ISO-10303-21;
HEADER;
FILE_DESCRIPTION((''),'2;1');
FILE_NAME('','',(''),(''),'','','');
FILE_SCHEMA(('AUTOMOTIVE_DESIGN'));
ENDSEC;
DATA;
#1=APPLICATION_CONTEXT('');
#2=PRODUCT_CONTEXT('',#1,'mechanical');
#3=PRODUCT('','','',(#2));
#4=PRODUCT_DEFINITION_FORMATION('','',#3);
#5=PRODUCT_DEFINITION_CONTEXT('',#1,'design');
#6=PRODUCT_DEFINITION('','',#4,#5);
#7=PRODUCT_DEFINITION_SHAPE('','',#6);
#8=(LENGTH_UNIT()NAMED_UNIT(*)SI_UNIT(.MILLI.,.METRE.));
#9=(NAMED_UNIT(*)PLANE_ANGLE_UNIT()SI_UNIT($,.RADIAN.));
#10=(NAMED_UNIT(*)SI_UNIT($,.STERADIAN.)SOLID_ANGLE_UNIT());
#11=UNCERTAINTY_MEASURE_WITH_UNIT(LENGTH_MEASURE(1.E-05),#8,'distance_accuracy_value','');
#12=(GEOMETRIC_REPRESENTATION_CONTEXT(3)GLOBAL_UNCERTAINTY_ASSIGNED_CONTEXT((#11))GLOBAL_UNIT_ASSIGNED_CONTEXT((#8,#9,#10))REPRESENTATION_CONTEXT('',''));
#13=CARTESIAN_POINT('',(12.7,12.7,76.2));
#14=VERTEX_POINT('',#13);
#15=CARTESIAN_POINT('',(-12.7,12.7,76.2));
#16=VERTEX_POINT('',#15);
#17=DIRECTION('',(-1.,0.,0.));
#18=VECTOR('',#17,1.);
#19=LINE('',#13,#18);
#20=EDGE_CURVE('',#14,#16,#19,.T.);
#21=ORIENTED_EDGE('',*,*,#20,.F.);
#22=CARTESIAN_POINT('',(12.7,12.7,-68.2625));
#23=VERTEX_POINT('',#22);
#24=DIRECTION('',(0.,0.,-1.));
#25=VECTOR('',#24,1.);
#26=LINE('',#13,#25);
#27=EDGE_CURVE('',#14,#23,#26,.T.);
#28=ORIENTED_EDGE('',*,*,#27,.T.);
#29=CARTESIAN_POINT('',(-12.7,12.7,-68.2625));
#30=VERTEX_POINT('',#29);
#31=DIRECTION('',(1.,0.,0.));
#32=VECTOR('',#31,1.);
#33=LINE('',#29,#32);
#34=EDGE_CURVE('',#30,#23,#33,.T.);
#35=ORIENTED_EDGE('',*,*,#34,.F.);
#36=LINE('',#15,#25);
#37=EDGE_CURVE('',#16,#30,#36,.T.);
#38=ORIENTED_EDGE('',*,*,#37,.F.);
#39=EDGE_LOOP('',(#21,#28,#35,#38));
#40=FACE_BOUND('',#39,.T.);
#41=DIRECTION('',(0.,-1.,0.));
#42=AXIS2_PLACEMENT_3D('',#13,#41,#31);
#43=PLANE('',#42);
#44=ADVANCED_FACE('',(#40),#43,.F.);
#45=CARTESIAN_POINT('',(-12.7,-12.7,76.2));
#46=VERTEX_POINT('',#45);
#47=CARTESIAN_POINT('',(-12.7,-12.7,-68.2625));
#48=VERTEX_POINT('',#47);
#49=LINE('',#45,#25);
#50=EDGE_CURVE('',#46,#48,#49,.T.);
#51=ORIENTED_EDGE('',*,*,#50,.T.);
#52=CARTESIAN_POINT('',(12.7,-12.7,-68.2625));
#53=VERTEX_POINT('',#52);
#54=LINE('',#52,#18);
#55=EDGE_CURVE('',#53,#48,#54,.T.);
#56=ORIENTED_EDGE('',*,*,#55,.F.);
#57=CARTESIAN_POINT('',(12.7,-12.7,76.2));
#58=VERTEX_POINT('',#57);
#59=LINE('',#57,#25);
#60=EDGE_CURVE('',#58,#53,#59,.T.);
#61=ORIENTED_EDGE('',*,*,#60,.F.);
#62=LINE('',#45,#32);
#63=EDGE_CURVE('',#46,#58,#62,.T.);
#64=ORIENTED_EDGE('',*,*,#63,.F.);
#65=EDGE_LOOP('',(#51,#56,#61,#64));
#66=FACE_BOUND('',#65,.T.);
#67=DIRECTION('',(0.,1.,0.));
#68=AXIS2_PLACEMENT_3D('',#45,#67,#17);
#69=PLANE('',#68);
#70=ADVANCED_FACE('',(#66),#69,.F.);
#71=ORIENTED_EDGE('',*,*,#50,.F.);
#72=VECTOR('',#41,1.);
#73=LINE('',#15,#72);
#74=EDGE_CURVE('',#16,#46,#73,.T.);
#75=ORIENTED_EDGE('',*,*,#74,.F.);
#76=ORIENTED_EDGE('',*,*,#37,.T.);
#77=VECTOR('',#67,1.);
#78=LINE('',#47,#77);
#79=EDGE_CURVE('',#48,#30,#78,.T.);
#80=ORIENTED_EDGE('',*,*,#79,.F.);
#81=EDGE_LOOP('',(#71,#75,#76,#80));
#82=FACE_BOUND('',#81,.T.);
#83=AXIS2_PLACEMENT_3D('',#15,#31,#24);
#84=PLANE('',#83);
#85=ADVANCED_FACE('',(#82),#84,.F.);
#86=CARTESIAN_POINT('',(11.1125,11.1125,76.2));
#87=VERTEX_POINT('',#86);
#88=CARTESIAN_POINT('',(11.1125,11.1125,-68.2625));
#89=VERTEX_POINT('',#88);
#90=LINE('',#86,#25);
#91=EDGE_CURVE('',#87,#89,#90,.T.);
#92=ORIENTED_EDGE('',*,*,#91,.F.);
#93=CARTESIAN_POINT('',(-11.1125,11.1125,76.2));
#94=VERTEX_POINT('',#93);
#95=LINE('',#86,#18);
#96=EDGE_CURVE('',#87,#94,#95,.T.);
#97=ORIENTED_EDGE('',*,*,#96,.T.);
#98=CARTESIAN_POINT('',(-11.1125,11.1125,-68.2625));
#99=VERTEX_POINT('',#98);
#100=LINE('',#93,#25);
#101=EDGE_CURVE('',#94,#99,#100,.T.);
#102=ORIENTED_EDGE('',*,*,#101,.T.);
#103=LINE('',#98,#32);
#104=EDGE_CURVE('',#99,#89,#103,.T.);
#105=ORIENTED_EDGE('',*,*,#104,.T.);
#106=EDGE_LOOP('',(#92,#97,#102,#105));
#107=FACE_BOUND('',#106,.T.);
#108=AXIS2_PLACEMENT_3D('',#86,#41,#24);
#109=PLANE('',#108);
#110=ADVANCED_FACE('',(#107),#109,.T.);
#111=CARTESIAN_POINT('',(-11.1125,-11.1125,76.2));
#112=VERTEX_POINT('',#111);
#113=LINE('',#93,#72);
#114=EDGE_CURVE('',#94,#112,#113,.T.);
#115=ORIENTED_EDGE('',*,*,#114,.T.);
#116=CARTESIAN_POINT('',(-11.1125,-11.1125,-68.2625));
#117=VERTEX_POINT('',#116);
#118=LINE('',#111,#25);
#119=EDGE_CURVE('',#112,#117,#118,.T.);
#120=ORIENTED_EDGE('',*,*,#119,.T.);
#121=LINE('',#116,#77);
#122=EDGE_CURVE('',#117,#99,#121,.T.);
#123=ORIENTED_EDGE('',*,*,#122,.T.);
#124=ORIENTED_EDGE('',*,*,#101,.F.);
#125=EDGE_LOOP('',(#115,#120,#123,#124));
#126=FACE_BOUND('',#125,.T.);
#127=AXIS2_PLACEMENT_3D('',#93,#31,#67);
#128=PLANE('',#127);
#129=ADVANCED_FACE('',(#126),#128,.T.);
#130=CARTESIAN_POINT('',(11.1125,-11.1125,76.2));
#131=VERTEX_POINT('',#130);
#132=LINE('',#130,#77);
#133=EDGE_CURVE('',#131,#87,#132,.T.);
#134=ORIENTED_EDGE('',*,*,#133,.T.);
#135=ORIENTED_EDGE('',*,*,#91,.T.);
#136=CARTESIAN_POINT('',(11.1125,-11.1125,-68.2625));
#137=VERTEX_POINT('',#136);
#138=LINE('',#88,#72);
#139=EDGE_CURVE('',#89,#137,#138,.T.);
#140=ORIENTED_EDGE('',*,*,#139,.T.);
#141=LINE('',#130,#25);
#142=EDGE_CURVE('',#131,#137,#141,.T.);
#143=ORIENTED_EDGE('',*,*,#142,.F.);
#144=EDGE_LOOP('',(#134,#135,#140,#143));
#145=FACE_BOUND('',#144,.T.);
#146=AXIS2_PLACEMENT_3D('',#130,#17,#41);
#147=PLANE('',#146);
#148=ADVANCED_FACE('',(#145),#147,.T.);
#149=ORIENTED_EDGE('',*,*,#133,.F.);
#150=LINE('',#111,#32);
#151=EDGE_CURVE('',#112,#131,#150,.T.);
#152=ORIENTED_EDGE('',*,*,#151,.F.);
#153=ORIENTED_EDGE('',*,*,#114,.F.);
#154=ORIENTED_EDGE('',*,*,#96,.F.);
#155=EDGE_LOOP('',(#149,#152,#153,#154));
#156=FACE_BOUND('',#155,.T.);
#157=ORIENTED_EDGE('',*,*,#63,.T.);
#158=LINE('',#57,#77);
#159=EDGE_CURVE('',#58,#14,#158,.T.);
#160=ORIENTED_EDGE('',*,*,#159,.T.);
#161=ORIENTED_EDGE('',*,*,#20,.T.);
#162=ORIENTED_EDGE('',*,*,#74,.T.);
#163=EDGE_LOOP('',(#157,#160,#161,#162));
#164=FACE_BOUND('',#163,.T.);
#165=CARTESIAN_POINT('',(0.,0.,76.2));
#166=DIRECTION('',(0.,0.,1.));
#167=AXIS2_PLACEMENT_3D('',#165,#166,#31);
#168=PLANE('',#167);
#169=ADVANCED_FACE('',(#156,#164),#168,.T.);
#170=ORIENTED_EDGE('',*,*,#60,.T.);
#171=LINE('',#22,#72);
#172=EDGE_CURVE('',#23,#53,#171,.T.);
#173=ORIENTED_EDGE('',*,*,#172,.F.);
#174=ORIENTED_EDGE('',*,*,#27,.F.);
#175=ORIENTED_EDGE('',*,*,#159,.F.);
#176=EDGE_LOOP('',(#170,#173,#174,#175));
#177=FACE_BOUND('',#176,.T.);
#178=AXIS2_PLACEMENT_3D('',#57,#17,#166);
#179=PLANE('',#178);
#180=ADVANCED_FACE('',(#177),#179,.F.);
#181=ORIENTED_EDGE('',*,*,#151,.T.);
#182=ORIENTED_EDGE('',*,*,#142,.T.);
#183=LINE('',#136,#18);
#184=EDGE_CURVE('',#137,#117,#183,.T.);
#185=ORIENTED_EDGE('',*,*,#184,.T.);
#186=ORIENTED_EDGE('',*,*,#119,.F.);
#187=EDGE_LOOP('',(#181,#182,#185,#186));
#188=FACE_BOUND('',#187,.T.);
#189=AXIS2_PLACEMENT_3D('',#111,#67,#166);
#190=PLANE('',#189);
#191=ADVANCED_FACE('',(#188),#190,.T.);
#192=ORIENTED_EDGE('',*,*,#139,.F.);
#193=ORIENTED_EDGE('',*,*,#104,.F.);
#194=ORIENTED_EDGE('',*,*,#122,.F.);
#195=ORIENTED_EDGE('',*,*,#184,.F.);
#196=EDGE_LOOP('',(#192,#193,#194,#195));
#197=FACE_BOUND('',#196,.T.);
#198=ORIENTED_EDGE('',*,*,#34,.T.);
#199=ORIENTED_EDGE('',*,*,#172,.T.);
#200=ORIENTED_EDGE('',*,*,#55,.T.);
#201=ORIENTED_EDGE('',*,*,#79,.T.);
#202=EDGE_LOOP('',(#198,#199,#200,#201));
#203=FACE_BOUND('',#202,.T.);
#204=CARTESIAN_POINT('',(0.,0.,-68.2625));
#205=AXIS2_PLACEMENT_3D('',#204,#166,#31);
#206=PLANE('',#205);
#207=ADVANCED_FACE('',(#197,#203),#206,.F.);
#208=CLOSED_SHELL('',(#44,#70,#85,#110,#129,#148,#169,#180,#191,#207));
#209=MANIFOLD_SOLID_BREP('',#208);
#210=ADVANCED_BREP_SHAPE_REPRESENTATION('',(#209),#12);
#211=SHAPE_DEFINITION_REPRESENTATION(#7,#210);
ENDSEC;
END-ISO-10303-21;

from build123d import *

# Parameters (mm, degrees)
SKETCH3_W                = 25.4
SKETCH3_H                = 25.4
SKETCH3_W_2              = 22.225
SKETCH3_H_2              = 22.225
BOSS_EXTRUDE1_DEPTH      = 76.2
BOSS_EXTRUDE1_DEPTH_BACK = 76.2
SKETCH4_W                = 25.4
SKETCH4_H                = 25.4
SKETCH4_W_2              = 22.225
SKETCH4_H_2              = 22.225
CUT_EXTRUDE1_DEPTH       = 7.9375


with BuildPart() as part:
    # Sketch3 → Boss-Extrude1 (new body, two sides)
    with BuildSketch(Plane.XY) as boss_extrude1_sk:
        Rectangle(SKETCH3_W, SKETCH3_H)
        Rectangle(SKETCH3_W_2, SKETCH3_H_2, mode=Mode.SUBTRACT)
    extrude(amount=BOSS_EXTRUDE1_DEPTH)
    extrude(boss_extrude1_sk.sketch, amount=-BOSS_EXTRUDE1_DEPTH_BACK)

    # Sketch4 → Cut-Extrude1 (cut)
    with BuildSketch(Plane(origin=(0, 0, -76.2), x_dir=(-1, 0, 0), z_dir=(0, 0, -1))):
        Rectangle(SKETCH4_W, SKETCH4_H)
        Rectangle(SKETCH4_W_2, SKETCH4_H_2, mode=Mode.SUBTRACT)
    extrude(amount=-CUT_EXTRUDE1_DEPTH, mode=Mode.SUBTRACT)


solid = part.part
